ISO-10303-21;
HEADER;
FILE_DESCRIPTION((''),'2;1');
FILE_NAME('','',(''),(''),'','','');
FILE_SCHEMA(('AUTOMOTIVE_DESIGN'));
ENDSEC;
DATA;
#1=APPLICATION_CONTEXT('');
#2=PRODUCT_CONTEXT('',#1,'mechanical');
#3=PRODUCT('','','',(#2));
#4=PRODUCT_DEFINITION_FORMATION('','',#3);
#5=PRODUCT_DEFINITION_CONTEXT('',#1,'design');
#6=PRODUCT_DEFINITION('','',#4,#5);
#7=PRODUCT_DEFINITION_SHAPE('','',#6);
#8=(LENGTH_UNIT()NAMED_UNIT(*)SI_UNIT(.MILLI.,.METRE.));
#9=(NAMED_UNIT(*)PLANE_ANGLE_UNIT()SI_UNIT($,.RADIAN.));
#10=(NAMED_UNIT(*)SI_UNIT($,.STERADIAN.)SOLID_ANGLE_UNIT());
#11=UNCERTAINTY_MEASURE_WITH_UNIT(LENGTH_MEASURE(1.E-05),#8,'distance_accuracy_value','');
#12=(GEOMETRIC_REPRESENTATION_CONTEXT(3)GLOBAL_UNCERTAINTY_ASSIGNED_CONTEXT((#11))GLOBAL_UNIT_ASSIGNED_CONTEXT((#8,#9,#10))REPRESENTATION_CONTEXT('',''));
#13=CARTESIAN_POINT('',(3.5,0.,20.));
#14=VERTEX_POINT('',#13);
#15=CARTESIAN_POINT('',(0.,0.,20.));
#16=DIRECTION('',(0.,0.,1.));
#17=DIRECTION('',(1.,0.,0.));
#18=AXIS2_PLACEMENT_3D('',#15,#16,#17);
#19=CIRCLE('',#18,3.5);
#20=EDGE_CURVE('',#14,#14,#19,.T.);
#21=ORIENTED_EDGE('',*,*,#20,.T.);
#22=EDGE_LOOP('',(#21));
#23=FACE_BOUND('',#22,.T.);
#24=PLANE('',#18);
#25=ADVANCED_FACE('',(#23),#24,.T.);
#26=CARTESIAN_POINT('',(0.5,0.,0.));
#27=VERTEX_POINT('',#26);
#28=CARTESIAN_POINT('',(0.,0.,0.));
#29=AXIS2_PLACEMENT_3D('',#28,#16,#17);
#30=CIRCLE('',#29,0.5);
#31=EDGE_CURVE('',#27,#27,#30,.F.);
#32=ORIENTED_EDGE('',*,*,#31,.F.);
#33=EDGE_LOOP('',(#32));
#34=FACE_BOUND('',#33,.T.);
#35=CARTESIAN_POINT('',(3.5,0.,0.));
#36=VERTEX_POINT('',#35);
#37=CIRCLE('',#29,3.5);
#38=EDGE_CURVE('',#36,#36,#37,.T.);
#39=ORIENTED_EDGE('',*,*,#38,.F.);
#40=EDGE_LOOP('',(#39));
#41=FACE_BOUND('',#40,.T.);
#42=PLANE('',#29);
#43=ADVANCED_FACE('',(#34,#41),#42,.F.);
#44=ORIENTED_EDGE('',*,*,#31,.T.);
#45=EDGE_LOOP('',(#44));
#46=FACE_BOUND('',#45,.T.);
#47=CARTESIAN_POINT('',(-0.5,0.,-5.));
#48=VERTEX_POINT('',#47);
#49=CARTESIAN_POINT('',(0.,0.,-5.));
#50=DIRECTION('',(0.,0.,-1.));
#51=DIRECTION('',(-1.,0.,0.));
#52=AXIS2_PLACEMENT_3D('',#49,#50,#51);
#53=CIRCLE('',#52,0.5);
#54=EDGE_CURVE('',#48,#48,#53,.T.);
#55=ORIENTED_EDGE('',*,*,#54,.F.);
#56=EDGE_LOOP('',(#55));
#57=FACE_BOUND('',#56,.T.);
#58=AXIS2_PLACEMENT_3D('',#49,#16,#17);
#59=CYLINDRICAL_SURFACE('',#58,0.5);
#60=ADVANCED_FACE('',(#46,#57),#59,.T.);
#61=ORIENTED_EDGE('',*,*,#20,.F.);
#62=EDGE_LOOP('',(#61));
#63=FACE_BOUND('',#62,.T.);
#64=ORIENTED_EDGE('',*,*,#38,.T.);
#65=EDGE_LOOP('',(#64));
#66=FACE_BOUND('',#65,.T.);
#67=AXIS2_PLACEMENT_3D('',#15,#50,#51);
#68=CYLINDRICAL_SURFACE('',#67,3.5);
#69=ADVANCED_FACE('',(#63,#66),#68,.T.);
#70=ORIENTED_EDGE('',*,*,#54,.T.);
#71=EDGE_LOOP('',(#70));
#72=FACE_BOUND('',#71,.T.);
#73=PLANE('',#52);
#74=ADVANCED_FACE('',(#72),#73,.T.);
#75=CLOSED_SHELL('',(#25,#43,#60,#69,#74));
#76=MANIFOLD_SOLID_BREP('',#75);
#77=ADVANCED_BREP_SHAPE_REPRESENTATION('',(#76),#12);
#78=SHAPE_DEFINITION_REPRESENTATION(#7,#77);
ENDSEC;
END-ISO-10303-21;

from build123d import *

# Parameters (mm, degrees)
ESQUISSE1_R        = 3.5
BOSS_EXTRU_1_DEPTH = 20
ESQUISSE2_R        = 0.5
BOSS_EXTRU_2_DEPTH = 5


with BuildPart() as part:
    # Esquisse1 → Boss.-Extru.1 (new body)
    with BuildSketch(Plane.XY):
        Circle(ESQUISSE1_R)
    extrude(amount=BOSS_EXTRU_1_DEPTH)

    # Esquisse2 → Boss.-Extru.2 (add)
    with BuildSketch(Plane(origin=(0, 0, 0), x_dir=(-1, 0, 0), z_dir=(0, 0, -1))):
        with Locations(Location((0, 0, 0), (0, 0, 180))):
            Circle(ESQUISSE2_R)
    extrude(amount=BOSS_EXTRU_2_DEPTH)


solid = part.part
